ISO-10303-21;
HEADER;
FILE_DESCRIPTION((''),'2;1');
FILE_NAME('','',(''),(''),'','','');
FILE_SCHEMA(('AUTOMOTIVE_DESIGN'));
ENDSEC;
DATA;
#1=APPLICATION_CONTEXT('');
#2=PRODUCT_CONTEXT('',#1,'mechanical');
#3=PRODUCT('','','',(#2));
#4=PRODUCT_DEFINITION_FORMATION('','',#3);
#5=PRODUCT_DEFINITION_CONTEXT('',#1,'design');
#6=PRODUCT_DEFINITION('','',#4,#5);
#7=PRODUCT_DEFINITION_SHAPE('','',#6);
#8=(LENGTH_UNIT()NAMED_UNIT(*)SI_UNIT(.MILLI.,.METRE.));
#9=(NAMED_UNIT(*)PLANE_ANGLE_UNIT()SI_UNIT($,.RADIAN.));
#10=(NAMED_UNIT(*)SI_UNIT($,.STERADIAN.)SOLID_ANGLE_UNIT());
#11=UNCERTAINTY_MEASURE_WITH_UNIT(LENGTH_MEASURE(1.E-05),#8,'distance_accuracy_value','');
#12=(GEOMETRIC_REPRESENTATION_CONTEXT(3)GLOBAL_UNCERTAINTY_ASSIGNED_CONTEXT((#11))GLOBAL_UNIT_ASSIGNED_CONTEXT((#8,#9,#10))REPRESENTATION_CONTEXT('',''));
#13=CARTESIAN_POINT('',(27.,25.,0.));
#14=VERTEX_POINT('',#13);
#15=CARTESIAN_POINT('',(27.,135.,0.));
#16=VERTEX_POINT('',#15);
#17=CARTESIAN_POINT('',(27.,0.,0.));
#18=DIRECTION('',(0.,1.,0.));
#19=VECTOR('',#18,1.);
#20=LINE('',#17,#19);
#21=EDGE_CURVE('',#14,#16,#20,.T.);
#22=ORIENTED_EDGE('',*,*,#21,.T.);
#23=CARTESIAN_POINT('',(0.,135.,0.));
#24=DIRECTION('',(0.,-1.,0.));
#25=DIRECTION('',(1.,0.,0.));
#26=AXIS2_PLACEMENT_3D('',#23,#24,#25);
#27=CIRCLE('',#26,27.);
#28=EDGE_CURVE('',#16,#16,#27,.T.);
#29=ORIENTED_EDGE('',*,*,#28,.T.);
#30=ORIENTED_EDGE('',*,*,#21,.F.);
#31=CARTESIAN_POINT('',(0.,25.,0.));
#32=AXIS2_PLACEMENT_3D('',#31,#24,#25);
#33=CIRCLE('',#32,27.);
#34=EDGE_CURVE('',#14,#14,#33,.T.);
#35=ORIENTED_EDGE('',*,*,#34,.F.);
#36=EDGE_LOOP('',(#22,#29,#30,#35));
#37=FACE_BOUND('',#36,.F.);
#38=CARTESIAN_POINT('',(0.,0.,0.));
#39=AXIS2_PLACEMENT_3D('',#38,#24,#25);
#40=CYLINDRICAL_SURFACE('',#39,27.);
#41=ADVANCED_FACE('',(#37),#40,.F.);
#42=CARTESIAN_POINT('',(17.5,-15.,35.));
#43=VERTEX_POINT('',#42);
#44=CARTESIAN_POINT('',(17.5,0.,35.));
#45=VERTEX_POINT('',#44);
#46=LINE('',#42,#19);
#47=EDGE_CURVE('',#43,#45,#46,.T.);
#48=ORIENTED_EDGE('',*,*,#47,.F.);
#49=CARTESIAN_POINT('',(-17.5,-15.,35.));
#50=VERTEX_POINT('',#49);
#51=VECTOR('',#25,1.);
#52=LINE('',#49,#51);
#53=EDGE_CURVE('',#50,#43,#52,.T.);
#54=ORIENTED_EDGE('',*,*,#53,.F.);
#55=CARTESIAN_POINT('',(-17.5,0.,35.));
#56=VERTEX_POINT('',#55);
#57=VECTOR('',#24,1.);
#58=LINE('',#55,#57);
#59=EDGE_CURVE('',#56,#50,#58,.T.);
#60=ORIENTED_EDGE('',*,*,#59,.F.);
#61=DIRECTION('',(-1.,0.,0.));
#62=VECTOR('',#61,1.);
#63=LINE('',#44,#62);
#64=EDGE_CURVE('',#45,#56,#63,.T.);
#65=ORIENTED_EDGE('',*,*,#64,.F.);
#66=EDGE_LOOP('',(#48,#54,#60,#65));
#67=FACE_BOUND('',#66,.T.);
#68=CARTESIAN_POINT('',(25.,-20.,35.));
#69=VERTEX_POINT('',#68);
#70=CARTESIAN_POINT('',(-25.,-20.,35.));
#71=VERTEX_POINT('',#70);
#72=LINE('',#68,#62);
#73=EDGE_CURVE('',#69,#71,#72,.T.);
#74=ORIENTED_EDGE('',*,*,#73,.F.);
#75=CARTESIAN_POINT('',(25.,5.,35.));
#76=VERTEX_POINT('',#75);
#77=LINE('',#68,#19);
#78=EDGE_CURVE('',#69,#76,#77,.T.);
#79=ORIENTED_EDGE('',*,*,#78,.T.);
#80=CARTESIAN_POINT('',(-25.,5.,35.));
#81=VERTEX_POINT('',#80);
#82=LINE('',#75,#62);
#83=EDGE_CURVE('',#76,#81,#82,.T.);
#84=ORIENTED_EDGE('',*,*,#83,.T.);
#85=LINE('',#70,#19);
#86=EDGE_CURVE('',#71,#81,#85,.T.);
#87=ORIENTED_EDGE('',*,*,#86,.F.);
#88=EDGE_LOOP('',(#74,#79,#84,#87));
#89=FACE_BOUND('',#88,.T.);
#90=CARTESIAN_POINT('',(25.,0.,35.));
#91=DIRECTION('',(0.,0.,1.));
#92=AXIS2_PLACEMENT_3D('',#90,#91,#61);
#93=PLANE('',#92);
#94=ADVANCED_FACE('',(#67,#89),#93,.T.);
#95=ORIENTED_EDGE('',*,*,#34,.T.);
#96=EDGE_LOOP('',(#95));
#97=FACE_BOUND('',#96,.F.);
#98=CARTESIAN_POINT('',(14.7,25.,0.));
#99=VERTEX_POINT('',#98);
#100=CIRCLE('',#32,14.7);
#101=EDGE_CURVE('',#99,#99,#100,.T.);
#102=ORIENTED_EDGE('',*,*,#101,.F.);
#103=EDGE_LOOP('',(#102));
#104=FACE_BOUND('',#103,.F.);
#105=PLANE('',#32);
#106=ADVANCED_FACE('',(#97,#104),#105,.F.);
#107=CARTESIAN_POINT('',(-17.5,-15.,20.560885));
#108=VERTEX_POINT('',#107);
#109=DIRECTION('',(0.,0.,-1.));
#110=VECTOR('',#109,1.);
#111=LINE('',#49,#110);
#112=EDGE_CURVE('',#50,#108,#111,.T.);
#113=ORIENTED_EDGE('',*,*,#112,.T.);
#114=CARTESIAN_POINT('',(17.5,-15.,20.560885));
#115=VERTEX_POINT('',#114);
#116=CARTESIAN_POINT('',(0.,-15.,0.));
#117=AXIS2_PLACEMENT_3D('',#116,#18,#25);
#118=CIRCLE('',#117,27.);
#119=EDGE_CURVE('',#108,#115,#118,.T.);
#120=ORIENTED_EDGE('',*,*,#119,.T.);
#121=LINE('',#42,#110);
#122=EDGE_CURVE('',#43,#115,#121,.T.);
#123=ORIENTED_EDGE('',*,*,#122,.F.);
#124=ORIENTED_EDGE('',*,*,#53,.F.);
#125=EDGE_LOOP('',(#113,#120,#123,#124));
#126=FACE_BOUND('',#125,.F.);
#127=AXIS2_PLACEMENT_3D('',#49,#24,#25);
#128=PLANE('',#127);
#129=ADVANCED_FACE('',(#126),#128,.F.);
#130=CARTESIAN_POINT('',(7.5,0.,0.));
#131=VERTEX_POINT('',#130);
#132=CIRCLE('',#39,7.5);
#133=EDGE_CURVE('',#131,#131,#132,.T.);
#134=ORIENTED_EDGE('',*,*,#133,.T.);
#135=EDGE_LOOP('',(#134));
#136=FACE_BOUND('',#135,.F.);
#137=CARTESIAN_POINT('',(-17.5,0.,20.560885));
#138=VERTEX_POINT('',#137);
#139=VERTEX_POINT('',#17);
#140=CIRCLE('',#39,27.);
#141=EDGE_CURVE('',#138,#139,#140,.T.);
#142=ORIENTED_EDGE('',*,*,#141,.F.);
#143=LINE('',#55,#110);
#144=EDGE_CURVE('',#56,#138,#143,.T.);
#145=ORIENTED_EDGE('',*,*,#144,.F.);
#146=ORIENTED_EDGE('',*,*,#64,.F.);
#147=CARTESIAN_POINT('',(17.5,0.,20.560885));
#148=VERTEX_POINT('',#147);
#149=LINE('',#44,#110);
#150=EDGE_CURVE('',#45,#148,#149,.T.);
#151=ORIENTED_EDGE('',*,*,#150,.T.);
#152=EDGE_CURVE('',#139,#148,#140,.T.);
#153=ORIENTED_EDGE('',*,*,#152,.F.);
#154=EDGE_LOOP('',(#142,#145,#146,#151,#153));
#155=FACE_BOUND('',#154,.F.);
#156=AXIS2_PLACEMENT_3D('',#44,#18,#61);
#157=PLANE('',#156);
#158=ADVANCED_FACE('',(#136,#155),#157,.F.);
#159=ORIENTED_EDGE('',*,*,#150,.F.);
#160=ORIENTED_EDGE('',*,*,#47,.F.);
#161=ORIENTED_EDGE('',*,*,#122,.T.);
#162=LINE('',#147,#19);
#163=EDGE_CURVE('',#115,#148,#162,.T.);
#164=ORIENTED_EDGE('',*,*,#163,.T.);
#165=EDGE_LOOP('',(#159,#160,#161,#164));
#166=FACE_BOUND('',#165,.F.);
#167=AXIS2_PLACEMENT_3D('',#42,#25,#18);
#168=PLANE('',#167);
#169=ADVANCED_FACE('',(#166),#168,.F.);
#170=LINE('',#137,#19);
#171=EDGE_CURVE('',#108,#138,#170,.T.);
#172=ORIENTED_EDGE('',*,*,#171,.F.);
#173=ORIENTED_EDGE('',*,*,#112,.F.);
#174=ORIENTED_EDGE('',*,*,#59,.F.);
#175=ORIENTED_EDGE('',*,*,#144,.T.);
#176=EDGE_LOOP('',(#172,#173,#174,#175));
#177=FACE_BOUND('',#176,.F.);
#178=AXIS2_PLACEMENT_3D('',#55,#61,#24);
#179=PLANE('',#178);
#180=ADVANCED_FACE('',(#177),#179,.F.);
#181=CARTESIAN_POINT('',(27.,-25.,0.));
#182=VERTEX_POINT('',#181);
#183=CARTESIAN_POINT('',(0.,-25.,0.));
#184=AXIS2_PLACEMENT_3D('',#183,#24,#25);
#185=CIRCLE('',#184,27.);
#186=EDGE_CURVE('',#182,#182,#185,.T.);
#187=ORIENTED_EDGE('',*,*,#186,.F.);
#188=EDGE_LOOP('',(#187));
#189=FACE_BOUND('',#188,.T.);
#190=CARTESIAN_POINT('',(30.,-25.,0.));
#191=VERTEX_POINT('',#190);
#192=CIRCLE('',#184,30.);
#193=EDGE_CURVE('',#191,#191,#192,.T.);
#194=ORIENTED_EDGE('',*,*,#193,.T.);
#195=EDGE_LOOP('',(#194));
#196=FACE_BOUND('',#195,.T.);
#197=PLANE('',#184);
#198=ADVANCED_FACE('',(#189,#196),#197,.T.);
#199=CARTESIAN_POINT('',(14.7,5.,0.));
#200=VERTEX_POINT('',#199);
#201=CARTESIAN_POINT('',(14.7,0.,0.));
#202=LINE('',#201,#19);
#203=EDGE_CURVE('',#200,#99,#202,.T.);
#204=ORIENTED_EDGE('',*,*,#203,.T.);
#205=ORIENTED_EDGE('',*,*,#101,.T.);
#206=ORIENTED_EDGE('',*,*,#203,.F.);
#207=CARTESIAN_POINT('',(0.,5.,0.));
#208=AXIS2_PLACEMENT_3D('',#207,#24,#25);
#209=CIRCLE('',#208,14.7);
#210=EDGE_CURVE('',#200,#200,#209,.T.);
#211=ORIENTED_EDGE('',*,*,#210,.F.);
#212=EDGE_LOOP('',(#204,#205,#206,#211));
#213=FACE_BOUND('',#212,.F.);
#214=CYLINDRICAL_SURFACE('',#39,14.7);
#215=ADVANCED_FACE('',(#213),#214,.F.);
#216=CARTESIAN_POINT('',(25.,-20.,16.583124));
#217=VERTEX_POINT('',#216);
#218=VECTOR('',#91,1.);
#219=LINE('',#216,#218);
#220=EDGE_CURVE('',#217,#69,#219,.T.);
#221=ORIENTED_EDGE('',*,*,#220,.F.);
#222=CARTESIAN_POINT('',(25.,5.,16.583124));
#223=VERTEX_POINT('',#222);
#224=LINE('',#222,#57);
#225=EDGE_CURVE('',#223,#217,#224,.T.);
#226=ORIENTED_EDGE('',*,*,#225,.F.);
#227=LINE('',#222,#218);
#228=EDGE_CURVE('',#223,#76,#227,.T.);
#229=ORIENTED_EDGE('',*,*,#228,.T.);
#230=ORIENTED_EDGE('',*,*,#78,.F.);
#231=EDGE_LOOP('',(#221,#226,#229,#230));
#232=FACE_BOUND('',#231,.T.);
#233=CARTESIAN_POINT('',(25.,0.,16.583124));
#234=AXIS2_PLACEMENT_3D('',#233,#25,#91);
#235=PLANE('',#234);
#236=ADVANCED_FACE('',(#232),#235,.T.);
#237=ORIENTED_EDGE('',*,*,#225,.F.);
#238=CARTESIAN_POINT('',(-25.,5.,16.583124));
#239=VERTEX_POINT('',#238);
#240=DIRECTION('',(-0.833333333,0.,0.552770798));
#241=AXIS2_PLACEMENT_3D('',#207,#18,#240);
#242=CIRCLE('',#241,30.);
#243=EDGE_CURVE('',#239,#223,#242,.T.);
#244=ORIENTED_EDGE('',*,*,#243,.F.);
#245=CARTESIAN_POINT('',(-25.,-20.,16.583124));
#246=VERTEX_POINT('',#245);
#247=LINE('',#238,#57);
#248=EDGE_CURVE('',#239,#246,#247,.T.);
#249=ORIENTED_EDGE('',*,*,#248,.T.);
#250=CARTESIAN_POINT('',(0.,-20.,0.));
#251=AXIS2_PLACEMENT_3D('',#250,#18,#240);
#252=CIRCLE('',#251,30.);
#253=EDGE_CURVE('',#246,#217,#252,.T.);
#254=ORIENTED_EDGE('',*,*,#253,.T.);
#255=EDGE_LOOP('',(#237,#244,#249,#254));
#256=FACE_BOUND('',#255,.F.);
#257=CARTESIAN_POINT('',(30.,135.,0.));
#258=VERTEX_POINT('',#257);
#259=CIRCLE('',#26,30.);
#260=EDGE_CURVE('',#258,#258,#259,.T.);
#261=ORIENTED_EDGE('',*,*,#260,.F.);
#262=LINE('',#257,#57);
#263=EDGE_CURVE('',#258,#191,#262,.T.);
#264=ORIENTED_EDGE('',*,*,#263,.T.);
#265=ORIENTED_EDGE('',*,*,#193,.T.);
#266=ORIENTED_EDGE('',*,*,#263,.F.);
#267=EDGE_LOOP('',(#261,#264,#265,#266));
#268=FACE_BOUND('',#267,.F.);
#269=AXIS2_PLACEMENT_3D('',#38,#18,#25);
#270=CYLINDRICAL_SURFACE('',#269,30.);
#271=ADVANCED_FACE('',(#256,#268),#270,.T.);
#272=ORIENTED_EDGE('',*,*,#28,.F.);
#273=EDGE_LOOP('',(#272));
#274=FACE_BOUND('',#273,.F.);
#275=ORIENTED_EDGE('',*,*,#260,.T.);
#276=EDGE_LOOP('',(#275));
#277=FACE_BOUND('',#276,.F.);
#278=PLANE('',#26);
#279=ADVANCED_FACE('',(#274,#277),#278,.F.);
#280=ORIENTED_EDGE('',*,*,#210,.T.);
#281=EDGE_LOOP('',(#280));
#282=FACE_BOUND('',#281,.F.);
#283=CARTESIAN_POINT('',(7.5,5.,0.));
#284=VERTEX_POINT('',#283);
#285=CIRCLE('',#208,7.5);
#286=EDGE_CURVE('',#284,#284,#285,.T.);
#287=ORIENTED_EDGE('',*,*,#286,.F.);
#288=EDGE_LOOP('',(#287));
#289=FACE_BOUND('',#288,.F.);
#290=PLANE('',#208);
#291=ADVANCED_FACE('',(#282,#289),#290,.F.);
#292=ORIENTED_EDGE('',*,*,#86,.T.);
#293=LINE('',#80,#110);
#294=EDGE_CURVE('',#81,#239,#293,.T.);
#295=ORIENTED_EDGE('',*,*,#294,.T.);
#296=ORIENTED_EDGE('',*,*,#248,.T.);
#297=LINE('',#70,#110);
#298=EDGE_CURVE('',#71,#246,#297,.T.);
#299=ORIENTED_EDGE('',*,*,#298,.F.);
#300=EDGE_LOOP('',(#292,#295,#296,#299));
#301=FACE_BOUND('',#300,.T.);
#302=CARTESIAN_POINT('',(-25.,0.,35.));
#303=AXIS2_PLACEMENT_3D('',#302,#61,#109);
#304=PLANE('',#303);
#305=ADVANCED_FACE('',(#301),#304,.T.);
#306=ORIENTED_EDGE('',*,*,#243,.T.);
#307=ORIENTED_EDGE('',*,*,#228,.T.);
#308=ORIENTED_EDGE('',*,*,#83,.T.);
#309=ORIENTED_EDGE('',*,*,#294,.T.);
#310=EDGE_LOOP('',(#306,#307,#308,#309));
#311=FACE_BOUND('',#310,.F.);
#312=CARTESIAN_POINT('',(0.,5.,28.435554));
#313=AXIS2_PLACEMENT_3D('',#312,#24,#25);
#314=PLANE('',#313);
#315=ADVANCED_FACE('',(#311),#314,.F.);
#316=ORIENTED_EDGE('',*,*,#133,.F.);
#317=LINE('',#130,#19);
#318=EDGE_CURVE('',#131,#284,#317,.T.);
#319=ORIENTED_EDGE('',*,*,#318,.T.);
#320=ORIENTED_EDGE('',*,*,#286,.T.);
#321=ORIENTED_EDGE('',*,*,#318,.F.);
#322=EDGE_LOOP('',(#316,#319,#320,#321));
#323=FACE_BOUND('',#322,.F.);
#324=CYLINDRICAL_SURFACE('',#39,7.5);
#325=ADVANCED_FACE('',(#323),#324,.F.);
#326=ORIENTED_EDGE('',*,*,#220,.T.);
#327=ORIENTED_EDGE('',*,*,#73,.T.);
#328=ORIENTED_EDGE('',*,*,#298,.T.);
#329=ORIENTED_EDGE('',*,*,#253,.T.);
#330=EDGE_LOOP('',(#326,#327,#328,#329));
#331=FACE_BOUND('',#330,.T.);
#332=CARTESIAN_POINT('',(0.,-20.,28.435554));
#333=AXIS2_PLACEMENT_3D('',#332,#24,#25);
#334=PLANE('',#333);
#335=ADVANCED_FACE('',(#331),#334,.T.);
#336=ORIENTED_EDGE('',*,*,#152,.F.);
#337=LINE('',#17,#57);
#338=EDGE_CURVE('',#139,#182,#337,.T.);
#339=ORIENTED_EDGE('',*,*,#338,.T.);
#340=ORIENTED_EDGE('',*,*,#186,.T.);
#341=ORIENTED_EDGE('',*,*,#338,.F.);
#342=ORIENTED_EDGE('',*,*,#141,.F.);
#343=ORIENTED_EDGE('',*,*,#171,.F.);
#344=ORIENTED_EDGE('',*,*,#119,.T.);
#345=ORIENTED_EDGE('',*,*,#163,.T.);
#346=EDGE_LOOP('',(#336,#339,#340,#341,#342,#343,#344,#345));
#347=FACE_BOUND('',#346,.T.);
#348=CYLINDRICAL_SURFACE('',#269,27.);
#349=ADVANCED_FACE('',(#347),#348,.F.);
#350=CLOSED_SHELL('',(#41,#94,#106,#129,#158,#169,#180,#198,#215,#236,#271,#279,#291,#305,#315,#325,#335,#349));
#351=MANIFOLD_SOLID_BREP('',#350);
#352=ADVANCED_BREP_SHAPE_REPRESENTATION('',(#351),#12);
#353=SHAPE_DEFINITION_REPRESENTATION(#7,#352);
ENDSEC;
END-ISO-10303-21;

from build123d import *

# Parameters (mm, degrees)
F0_R          = 30
F0_R_2        = 27
F1_DEPTH      = 135
F1_DEPTH_BACK = 25
F0_R_3        = 14.7
F2_DEPTH      = 25
F0_R_4        = 7.5
F3_DEPTH      = 5
F5_DEPTH      = 20
F5_DEPTH_BACK = 5
F7_DEPTH      = 20


with BuildPart() as f1:
    # F0 (on Front) → F1 (new body, two sides)
    with BuildSketch(Plane.XZ) as f1_sk:
        Circle(F0_R)
        Circle(F0_R_2, mode=Mode.SUBTRACT)
    extrude(amount=-F1_DEPTH)
    extrude(f1_sk.sketch, amount=F1_DEPTH_BACK)

    # F0 (on Front) → F2 (join)
    with BuildSketch(Plane.XZ):
        Circle(F0_R_2)
        Circle(F0_R_3, mode=Mode.SUBTRACT)
    extrude(amount=-F2_DEPTH)

    # F0 (on Front) → F3 (join)
    with BuildSketch(Plane.XZ):
        Circle(F0_R_3)
        Circle(F0_R_4, mode=Mode.SUBTRACT)
    extrude(amount=-F3_DEPTH)

    # F4 (on Front) → F5 (join, two sides)
    with BuildSketch(Plane.XZ) as f5_sk:
        with BuildLine():
            Line((-25, 35), (-25, 16.5831239518))
            ThreePointArc((-25, 16.5831239518), (0, 30), (25, 16.5831239518))
            Line((25, 16.5831239518), (25, 35))
            Line((25, 35), (-25, 35))
        make_face()
    extrude(amount=F5_DEPTH)
    extrude(f5_sk.sketch, amount=-F5_DEPTH_BACK)

    # F6 (on face) → F7 (cut)
    with BuildSketch(Plane.XY.offset(35)):
        Polygon((0, 0), (-17.5, 0), (-17.5, -15), (17.5, -15), (17.5, 0), align=None)
    extrude(amount=-F7_DEPTH, mode=Mode.SUBTRACT)


solid = f1.part
